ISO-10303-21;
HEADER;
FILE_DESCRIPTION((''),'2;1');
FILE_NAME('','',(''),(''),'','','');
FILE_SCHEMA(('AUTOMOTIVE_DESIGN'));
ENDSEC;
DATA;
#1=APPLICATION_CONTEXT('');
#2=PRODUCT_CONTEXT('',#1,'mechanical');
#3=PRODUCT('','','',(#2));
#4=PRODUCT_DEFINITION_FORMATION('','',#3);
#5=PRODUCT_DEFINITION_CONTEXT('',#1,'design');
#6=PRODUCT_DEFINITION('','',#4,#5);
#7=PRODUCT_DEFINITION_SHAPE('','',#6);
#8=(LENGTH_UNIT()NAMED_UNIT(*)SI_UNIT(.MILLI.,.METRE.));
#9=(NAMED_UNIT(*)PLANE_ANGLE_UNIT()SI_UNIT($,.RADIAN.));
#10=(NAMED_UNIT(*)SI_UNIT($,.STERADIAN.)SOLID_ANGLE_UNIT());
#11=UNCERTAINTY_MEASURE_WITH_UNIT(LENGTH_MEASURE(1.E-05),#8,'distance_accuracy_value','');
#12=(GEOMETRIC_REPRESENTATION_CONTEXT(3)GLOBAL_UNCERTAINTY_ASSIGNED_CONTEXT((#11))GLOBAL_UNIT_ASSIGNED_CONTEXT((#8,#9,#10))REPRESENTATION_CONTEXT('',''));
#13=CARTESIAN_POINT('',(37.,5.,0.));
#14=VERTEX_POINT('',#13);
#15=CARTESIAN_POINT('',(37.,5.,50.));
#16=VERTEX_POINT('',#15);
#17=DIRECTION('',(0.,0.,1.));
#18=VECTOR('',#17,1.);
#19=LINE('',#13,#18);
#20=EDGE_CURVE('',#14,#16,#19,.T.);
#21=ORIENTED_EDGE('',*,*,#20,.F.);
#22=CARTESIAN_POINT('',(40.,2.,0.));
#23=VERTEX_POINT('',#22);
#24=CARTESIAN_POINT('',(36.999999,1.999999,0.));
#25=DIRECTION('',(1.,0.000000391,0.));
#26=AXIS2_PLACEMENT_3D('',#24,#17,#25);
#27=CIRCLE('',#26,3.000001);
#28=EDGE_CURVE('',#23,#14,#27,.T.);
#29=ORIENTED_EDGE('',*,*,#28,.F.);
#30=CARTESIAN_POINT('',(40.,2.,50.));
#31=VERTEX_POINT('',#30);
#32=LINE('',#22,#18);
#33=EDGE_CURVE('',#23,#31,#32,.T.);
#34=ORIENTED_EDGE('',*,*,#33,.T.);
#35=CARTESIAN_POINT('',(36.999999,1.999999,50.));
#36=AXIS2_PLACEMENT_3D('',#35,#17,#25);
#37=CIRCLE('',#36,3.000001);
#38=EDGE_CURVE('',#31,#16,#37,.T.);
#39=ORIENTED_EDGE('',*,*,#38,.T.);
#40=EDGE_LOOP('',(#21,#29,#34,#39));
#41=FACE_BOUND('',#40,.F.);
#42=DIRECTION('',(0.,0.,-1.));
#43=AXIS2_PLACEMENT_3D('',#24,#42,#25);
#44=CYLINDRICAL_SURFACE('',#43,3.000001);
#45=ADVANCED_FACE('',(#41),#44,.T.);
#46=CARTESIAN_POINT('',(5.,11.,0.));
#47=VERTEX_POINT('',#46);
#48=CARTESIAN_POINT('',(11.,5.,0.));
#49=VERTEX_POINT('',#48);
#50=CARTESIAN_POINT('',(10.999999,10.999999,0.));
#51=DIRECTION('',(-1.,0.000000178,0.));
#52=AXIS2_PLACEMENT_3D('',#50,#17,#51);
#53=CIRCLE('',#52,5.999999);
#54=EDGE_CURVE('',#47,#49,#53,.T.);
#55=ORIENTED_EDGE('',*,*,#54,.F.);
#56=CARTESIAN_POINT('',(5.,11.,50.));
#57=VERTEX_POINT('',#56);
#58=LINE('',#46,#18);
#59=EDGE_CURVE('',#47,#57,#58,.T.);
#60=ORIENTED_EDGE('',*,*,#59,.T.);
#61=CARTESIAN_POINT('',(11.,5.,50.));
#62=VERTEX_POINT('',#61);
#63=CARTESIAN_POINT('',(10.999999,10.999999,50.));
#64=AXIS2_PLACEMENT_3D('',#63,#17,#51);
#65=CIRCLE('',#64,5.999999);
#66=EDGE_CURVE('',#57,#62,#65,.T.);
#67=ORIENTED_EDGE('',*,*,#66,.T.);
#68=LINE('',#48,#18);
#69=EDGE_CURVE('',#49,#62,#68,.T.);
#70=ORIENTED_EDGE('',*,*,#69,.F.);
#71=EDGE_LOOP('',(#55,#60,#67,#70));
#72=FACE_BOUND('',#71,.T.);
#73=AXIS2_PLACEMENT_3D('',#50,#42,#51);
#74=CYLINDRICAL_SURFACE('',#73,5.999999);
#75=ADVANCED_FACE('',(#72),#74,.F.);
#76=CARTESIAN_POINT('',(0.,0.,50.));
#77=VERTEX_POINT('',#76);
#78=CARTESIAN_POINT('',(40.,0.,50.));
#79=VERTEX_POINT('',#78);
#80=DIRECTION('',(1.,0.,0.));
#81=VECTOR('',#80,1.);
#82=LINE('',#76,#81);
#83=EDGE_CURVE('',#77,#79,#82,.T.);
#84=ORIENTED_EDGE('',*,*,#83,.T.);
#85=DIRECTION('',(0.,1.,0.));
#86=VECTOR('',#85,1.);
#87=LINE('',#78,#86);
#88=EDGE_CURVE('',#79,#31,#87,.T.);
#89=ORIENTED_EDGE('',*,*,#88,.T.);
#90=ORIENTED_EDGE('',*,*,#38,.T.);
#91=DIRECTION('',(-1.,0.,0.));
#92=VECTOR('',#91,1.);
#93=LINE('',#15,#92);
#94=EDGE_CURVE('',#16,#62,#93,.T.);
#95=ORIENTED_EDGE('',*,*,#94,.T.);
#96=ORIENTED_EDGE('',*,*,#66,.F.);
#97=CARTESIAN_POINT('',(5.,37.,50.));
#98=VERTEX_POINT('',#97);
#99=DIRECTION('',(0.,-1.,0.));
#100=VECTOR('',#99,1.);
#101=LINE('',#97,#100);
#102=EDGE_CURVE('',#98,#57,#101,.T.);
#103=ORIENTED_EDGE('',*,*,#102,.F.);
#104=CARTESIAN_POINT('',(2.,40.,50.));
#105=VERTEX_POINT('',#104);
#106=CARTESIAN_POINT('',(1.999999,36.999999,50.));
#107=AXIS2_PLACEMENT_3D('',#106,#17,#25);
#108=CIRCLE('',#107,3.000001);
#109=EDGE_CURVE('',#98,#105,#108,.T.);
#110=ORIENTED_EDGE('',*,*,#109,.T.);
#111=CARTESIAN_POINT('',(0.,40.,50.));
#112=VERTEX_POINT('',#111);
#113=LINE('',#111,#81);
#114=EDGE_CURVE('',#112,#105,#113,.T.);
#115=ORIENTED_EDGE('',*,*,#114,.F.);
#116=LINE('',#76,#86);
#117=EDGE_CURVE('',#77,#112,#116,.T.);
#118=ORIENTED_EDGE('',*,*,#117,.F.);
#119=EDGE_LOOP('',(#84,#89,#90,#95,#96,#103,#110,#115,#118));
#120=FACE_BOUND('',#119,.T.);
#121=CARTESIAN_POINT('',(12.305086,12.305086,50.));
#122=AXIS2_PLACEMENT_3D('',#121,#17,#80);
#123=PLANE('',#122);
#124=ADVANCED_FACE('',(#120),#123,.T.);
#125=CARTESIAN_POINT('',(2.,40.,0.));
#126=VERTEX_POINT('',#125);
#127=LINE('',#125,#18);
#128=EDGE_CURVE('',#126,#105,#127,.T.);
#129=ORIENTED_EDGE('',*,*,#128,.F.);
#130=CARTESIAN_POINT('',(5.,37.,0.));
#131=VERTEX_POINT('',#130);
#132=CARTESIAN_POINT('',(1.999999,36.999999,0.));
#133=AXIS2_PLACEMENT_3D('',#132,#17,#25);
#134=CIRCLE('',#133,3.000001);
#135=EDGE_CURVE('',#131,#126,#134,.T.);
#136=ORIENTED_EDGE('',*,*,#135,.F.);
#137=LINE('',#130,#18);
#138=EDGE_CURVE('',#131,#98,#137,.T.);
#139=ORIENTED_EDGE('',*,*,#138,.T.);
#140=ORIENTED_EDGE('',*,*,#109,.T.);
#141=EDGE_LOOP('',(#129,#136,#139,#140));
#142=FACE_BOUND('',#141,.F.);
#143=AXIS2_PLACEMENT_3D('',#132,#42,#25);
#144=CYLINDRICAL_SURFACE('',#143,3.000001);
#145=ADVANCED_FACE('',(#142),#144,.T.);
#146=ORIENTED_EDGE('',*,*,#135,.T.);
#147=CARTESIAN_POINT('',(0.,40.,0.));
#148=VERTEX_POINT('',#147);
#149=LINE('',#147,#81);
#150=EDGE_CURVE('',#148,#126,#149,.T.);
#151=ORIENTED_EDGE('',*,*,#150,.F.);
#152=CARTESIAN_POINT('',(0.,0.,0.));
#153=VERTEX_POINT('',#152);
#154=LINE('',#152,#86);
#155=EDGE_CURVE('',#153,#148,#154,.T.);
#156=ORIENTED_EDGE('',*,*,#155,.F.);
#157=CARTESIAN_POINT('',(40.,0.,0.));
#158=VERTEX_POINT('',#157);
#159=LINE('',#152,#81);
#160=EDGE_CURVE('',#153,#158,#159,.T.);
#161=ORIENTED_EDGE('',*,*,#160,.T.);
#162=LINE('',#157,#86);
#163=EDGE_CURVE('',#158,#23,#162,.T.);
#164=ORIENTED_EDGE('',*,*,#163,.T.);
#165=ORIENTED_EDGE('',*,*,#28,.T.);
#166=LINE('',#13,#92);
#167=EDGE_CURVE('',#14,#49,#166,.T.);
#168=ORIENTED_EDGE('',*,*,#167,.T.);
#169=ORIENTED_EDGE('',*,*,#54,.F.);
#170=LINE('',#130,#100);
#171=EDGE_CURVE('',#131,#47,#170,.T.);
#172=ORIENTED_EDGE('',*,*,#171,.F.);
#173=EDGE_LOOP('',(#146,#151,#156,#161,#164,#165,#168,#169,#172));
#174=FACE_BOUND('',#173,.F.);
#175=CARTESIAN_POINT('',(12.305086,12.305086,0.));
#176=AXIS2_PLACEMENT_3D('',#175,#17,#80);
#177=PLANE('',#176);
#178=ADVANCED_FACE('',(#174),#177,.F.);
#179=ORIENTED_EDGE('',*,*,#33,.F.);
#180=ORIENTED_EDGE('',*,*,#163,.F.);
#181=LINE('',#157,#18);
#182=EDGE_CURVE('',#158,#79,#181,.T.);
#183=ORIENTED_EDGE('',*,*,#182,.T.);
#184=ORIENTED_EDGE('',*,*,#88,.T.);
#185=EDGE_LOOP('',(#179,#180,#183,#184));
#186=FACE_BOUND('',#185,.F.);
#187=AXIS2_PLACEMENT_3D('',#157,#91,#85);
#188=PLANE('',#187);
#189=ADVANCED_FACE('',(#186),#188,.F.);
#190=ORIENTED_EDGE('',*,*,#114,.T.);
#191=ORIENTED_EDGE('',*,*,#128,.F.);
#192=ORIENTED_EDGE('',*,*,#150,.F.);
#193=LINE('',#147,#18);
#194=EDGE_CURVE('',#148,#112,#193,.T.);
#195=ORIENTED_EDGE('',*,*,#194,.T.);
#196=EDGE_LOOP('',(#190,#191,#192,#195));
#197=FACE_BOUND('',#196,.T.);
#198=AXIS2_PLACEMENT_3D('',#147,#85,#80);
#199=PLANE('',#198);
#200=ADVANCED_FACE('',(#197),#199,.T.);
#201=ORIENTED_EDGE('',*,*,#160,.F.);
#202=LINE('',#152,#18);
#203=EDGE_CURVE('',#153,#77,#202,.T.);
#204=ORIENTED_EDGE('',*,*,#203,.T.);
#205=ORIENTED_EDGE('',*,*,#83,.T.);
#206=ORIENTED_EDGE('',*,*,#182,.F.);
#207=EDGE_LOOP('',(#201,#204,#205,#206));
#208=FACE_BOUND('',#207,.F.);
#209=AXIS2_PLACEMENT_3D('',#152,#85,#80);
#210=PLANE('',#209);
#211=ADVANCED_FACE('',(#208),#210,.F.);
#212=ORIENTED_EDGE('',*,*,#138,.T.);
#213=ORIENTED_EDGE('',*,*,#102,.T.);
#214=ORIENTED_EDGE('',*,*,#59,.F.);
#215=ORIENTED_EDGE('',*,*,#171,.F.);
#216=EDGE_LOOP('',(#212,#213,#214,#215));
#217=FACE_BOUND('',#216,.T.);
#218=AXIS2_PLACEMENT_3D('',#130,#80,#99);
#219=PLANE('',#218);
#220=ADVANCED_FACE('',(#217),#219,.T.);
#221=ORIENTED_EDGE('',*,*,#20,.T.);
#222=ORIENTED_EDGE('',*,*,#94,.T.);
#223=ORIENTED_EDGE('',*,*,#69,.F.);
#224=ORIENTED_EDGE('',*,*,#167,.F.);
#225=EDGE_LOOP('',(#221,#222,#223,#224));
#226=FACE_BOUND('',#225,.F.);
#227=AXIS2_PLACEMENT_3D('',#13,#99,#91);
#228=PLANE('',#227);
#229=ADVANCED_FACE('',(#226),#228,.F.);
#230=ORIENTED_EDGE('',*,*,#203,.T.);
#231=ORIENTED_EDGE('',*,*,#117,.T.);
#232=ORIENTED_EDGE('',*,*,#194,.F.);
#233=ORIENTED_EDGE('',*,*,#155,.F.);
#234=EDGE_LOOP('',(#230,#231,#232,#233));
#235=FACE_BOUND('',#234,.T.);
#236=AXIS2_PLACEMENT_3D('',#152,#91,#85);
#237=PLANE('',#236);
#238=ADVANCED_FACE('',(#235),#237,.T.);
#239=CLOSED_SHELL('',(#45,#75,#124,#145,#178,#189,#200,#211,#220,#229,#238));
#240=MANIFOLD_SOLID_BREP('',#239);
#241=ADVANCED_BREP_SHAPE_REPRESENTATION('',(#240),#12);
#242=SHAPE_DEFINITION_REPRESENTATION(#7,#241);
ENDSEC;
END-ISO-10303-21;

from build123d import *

# Parameters (mm, degrees)
EXTRUDE_DEPTH = 50


with BuildPart() as part:
    # Sketch → Extrude (new body)
    with BuildSketch(Plane.XY):
        with BuildLine():
            Line((0, 0), (40, 0))
            Line((40, 0), (40, 2))
            ThreePointArc((40, 2), (39.12132, 4.12132), (37, 5))
            Line((37, 5), (11, 5))
            ThreePointArc((5, 11), (6.757359, 6.757359), (11, 5))
            Line((5, 37), (5, 11))
            ThreePointArc((5, 37), (4.12132, 39.12132), (2, 40))
            Line((0, 40), (2, 40))
            Line((0, 0), (0, 40))
        make_face()
    extrude(amount=EXTRUDE_DEPTH)


solid = part.part
